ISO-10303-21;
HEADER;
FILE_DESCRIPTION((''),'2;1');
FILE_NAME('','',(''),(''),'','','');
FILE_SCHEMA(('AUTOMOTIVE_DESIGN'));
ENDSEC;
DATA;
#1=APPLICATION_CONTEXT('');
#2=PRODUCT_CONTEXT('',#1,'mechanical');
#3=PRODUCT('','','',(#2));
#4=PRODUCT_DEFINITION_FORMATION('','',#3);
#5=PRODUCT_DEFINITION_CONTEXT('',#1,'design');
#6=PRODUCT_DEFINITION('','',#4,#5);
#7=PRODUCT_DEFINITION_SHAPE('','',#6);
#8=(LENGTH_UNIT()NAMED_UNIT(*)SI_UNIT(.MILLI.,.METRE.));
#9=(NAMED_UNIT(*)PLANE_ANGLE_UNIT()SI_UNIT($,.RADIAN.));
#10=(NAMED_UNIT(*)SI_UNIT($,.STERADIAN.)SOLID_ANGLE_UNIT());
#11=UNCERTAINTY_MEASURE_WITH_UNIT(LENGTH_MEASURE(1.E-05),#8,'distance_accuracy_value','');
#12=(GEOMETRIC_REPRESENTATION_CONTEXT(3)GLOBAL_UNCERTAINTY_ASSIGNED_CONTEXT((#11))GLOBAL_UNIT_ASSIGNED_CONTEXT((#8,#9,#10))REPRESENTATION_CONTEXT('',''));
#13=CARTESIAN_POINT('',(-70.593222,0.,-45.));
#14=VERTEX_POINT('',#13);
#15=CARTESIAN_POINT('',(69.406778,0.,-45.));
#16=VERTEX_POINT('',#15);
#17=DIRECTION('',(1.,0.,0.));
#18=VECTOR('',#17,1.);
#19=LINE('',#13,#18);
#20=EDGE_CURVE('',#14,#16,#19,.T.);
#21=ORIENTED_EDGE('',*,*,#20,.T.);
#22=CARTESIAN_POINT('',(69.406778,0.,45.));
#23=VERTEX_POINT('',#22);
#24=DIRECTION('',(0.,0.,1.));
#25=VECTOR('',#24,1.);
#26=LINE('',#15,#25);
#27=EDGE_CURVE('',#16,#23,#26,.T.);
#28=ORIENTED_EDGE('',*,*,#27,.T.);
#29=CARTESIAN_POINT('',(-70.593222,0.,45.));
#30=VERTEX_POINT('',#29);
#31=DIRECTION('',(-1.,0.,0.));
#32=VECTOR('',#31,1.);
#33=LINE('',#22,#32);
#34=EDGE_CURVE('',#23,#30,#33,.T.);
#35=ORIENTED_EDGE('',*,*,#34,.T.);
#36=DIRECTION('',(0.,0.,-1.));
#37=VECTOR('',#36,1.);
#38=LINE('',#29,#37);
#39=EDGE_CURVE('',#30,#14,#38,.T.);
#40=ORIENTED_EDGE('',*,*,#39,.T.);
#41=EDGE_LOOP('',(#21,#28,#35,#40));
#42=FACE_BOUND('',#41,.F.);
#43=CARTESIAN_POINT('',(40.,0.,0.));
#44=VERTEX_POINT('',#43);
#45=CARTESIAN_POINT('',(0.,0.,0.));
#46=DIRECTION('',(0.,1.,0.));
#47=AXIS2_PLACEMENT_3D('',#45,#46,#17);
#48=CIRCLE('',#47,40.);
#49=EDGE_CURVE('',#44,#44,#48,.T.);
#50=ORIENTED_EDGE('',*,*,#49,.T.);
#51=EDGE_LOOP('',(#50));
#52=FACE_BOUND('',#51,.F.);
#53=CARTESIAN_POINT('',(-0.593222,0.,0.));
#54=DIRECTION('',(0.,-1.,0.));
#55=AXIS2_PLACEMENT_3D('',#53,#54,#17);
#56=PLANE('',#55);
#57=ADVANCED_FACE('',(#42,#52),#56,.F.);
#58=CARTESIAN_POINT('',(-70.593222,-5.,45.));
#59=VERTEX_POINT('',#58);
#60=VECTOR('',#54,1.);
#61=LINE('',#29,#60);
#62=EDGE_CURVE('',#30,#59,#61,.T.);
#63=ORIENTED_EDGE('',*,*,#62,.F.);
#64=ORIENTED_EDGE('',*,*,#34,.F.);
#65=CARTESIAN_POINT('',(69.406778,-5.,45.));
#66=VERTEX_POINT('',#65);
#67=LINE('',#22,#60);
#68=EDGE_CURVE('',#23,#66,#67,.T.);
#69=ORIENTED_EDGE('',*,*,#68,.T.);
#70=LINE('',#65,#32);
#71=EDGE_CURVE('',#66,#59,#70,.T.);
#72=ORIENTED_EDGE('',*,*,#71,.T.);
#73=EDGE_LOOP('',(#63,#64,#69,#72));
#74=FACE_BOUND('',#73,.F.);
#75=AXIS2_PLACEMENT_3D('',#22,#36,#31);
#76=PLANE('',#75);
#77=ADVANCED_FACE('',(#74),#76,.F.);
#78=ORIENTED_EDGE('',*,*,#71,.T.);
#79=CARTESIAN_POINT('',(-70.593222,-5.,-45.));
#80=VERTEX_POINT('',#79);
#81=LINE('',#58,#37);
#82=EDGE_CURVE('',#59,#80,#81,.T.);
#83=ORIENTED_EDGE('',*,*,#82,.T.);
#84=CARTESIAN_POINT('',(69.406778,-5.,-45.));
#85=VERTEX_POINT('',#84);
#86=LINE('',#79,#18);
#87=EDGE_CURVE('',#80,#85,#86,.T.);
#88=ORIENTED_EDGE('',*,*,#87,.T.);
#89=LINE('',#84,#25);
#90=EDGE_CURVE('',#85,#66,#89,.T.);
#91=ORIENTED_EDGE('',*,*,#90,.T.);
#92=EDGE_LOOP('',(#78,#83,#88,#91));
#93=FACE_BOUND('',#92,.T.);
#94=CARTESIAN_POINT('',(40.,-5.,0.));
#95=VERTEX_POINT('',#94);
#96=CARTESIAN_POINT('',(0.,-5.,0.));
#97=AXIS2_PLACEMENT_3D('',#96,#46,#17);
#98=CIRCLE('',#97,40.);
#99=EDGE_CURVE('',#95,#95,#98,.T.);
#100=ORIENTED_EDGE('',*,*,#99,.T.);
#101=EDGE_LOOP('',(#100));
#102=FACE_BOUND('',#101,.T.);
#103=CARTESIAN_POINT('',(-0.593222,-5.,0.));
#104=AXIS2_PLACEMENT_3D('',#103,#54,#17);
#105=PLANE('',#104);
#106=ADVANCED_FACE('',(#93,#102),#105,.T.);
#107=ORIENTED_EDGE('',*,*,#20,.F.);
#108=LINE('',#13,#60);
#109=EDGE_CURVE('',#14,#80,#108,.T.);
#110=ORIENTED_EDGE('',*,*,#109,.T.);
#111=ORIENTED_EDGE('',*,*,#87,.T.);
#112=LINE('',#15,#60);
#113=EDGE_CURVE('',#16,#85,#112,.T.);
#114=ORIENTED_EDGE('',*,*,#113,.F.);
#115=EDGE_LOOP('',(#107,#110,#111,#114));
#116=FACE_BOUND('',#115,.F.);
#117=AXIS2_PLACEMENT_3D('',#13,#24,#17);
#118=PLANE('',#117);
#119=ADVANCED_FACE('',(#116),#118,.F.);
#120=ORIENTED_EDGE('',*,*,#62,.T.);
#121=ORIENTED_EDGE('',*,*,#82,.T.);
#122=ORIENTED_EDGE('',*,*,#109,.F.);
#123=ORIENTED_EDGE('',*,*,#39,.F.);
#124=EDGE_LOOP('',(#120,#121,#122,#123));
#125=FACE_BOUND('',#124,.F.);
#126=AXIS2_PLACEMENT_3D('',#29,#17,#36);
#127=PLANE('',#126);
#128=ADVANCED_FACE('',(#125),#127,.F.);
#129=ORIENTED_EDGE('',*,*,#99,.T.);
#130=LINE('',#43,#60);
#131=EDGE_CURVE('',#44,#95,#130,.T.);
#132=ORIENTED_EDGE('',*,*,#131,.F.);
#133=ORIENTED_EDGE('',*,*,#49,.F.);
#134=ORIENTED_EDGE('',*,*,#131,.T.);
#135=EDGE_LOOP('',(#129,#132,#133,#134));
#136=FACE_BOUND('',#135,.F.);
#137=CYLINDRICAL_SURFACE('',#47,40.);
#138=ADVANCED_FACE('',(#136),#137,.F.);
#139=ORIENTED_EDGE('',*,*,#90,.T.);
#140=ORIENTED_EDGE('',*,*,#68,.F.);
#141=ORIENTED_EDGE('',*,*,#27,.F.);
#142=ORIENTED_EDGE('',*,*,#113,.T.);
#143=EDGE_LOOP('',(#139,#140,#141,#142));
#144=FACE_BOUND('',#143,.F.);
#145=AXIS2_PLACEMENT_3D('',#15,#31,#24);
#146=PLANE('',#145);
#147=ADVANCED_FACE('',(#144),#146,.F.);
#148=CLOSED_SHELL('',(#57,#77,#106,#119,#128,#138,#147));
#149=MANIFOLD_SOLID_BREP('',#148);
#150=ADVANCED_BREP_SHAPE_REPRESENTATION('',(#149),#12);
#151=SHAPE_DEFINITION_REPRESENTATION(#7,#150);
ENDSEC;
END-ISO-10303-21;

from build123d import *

# Parameters (mm, degrees)
F1_DEPTH = 5


with BuildPart() as f1:
    # F0 (on Front) → F1 (new body)
    with BuildSketch(Plane.XZ):
        Polygon((69.406778, -45), (69.406778, 0), (69.406778, 45), (-70.593222, 45), (-70.593222, -45), align=None)
        with BuildLine():
            ThreePointArc((-40, 0), (0, 40), (40, 0))
            ThreePointArc((40, 0), (0, -40), (-40, 0))
        make_face(mode=Mode.SUBTRACT)
    extrude(amount=F1_DEPTH)


solid = f1.part
